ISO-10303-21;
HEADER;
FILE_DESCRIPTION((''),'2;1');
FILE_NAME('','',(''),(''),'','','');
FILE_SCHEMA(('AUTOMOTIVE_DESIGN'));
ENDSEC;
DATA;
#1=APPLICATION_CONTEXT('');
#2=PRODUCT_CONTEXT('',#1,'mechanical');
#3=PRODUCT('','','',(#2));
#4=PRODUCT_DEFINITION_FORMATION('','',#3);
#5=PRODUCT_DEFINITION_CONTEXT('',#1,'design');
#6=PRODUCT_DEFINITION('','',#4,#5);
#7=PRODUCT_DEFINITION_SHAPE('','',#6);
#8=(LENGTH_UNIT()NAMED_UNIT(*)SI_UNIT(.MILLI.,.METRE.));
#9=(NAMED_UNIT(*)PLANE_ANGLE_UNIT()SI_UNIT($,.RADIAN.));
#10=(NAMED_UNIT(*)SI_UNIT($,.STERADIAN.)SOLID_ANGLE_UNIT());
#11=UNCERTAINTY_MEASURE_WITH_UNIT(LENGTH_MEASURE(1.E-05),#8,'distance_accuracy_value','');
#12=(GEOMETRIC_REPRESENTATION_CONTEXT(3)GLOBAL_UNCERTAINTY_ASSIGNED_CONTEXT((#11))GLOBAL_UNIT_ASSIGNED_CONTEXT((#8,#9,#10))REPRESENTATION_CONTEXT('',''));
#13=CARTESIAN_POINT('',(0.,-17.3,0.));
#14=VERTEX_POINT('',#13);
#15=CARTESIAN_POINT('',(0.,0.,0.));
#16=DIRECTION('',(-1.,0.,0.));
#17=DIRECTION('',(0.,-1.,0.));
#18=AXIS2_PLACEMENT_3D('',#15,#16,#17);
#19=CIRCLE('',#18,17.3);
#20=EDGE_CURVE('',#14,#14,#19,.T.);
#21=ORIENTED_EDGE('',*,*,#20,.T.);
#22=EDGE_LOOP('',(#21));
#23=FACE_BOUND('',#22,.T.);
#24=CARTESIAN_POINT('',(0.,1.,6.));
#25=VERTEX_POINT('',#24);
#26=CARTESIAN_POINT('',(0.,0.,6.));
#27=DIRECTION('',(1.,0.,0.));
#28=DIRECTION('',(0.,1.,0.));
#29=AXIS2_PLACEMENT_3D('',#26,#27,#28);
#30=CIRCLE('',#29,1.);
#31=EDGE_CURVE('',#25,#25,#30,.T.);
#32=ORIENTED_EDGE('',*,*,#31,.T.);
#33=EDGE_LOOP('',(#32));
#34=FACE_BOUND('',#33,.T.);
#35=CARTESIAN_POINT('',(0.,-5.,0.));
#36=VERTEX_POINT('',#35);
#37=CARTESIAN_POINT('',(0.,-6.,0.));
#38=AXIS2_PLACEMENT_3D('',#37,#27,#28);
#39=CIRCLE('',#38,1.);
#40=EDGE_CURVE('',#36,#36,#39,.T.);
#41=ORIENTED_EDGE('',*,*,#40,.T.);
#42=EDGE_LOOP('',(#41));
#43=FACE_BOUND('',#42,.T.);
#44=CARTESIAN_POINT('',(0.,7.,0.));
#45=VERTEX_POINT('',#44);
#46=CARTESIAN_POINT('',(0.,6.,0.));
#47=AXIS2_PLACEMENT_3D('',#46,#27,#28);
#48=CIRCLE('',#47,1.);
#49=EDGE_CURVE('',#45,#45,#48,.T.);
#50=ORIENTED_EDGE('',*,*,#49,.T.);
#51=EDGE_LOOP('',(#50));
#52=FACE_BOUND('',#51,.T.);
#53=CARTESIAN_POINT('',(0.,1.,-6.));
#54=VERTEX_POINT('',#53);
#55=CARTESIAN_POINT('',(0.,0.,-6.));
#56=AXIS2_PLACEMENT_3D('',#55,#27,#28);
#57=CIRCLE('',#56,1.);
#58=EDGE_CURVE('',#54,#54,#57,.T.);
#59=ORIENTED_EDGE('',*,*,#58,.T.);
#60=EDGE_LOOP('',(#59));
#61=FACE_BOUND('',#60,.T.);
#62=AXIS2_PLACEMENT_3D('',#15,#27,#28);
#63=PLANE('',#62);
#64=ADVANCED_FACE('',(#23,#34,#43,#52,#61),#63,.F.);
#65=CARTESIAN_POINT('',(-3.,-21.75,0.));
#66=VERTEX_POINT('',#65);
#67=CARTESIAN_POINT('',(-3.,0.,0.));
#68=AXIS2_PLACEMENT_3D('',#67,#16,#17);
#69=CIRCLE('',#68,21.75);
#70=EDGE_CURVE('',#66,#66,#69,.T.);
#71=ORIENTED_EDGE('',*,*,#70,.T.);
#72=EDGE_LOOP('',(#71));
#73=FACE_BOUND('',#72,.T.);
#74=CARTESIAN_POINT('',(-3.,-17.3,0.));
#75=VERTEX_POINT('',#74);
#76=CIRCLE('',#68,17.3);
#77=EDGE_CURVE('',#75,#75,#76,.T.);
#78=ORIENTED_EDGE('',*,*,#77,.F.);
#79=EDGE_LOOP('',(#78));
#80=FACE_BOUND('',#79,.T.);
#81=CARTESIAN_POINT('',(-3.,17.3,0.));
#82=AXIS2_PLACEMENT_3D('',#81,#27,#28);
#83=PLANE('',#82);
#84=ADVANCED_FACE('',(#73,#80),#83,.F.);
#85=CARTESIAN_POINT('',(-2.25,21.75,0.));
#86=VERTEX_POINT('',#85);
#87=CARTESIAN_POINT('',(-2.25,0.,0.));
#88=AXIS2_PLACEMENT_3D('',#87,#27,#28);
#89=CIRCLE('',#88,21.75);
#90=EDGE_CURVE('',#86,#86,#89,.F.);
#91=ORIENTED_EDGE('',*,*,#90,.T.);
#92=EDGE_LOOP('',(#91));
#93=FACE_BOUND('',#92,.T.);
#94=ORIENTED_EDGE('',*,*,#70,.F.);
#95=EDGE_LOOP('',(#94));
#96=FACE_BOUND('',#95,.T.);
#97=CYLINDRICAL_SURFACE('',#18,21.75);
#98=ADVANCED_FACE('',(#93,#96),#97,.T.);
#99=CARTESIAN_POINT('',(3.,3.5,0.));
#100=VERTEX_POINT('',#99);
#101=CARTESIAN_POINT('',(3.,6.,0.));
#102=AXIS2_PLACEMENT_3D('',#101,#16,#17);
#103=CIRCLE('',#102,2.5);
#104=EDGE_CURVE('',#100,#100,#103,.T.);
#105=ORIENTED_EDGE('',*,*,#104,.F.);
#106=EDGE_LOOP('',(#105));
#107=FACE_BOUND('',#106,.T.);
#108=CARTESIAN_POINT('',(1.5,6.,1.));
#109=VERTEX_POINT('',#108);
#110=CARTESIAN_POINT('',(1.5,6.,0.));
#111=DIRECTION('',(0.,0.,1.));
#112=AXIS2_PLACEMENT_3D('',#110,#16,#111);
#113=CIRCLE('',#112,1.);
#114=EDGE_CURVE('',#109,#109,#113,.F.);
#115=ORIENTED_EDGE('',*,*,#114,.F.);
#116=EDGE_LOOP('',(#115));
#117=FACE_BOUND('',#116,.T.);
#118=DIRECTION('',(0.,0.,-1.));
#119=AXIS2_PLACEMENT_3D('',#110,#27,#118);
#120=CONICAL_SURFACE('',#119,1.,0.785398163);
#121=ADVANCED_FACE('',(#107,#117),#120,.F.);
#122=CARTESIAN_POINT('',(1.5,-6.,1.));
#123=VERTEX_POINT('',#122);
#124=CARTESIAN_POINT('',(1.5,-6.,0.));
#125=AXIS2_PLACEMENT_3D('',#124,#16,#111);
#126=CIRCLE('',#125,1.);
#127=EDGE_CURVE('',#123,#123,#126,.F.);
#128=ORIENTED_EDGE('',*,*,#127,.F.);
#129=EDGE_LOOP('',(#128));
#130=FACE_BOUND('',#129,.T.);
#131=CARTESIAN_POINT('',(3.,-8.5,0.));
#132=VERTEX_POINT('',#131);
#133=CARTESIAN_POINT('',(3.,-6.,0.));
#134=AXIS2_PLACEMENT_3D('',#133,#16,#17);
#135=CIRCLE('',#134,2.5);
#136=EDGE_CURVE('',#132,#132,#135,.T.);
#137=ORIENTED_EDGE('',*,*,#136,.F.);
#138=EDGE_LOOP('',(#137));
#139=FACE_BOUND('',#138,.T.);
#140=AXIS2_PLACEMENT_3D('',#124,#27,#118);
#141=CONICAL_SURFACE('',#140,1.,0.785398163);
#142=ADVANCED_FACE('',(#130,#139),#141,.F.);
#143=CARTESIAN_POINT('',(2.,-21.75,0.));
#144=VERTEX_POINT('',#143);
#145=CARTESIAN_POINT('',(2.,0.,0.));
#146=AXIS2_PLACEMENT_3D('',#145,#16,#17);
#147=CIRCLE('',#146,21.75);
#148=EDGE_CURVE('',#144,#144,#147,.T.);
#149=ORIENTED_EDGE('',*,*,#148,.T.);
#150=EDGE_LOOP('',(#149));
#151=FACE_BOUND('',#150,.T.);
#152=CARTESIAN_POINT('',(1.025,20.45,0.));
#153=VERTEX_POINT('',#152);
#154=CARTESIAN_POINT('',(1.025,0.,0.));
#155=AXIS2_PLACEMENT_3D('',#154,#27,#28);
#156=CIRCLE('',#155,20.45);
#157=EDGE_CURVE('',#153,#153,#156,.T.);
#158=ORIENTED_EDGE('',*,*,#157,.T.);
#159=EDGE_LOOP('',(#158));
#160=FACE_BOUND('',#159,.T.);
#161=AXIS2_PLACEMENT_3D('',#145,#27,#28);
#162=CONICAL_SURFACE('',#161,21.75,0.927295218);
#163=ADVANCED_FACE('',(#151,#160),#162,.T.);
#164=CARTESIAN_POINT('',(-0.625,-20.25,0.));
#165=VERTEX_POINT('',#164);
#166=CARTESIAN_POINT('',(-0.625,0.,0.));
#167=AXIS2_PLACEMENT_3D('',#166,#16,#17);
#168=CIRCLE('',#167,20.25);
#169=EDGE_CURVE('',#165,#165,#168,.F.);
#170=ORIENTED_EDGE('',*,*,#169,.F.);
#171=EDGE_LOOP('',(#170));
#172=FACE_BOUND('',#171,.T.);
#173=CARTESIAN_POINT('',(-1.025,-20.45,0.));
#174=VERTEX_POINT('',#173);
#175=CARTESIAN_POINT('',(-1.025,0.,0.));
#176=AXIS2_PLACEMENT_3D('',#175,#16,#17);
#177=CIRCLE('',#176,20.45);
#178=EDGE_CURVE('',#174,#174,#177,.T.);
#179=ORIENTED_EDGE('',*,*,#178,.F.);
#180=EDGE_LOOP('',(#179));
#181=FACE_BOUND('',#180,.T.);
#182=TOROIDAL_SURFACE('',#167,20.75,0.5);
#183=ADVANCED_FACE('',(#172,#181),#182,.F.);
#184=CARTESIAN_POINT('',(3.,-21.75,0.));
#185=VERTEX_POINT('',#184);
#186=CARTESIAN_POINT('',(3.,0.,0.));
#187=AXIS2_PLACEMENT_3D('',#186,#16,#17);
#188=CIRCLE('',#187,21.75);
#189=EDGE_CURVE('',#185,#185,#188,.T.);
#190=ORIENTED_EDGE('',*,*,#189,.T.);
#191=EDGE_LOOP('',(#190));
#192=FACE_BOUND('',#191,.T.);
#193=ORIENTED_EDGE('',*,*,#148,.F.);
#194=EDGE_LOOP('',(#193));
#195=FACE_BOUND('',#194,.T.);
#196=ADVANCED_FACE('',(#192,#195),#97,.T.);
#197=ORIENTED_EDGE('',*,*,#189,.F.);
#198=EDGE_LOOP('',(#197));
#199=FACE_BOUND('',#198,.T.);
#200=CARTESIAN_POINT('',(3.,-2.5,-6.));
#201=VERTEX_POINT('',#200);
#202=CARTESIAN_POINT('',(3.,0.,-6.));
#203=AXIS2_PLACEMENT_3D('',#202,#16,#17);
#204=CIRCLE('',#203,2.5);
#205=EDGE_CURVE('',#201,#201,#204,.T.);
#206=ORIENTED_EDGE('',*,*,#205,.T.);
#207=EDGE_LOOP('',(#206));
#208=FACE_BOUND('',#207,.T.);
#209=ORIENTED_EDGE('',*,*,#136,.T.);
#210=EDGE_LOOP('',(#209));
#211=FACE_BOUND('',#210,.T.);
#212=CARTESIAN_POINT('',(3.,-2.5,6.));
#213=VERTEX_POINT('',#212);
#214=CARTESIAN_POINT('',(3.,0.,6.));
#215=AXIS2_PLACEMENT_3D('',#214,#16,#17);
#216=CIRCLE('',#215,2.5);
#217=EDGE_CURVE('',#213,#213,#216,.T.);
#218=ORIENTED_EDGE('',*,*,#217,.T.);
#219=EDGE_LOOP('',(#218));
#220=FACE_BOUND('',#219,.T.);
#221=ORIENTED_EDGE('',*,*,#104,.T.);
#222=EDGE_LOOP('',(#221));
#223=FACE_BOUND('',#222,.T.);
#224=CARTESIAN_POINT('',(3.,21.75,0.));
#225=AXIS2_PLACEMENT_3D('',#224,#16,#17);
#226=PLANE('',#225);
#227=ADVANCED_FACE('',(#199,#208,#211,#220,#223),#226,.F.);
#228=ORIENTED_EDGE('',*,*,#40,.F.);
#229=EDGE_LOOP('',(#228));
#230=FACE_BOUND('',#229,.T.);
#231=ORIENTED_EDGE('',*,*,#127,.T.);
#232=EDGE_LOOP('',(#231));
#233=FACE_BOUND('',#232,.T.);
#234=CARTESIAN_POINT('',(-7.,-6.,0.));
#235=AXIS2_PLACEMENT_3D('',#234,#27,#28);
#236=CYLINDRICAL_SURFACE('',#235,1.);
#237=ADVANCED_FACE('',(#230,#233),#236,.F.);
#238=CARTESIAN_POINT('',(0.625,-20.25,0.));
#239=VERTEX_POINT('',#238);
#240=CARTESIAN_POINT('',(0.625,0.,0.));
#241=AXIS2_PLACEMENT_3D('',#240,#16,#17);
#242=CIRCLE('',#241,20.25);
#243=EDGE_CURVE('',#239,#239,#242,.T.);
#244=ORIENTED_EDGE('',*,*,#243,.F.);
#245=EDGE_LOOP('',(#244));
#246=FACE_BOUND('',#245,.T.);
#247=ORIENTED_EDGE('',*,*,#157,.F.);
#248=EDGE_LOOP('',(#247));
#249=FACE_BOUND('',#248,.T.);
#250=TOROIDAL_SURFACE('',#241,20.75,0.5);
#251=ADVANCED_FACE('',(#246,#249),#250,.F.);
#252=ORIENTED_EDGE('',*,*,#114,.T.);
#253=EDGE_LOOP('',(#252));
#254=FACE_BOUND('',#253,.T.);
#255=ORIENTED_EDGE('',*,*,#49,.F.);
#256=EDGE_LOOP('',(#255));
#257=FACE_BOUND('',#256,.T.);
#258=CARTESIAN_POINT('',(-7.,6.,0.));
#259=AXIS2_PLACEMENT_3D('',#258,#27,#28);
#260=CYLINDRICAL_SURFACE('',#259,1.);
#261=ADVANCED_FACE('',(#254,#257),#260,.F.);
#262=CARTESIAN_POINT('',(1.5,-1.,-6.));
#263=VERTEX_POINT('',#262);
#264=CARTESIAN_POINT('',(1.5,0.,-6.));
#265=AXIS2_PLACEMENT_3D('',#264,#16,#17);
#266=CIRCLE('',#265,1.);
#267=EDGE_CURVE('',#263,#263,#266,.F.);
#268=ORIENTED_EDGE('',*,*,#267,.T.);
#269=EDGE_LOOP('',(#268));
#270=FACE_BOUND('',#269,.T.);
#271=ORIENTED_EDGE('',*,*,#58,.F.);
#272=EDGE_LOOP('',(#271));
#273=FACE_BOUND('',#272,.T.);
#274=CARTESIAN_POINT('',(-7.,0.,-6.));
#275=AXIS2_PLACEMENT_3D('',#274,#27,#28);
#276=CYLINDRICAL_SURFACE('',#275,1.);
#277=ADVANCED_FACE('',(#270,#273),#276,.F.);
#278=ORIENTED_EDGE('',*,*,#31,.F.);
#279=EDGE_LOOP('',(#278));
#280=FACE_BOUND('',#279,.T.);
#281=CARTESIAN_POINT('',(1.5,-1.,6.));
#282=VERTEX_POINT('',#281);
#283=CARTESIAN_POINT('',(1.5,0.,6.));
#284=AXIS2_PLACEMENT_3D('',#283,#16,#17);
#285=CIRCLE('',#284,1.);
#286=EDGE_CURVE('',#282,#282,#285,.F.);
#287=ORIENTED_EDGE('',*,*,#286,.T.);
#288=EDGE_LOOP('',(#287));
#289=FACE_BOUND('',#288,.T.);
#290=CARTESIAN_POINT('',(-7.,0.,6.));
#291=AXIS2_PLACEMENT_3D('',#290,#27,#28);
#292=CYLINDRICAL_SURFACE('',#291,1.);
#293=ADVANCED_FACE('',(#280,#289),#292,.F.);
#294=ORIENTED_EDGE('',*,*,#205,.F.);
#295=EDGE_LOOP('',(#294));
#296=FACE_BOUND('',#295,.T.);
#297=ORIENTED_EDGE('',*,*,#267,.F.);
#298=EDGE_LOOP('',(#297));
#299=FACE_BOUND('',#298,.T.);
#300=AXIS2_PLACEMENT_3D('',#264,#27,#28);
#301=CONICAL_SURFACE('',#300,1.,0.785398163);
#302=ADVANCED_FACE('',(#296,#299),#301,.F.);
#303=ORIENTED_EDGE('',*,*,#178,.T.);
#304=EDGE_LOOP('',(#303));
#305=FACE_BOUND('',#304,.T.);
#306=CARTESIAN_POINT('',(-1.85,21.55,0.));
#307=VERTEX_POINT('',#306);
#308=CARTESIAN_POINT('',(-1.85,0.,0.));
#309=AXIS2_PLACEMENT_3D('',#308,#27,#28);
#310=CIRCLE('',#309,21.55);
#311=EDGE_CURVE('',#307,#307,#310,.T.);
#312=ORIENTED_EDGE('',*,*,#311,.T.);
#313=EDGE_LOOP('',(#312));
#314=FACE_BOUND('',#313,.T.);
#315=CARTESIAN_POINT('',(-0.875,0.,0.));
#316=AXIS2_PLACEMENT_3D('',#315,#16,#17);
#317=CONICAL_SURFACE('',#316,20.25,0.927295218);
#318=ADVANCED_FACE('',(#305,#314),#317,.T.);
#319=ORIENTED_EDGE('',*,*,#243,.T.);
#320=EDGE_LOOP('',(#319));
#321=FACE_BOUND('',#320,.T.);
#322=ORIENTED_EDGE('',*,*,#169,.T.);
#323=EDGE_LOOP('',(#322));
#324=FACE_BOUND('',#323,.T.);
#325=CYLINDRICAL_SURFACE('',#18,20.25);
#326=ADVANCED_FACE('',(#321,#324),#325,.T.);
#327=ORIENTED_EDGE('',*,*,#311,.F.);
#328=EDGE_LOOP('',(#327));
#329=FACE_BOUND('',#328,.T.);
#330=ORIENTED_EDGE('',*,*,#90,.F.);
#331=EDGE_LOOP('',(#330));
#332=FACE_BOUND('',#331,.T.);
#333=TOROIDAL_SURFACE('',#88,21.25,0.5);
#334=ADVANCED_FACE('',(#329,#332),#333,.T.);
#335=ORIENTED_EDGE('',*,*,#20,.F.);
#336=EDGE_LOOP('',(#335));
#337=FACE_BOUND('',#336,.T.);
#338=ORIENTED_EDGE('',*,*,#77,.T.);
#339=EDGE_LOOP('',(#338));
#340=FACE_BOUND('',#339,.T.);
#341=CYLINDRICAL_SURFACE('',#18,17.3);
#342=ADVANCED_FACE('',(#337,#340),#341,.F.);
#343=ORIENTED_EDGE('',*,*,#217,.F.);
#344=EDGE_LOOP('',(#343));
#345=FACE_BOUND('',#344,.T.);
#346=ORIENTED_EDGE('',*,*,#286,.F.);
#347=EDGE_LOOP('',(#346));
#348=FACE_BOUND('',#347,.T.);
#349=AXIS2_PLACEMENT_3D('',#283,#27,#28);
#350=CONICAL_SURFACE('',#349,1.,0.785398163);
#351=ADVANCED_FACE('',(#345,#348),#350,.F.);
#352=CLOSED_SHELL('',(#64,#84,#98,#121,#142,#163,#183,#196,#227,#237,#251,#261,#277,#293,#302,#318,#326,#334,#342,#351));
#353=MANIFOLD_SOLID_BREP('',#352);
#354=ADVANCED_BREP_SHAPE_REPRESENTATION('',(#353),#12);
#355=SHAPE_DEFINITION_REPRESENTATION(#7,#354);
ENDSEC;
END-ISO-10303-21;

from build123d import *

# Parameters (mm, degrees)
SCHIZZO2_R               = 1
TAGLIO_ESTRUSIONE1_DEPTH = 10
SMUSSO1_SIZE             = 1.5
RACCORDO1_R              = 0.5


with BuildPart() as part:
    # Schizzo1 → Rivoluzione1 (revolve)
    with BuildSketch(Plane.XY):
        Polygon((0, 0), (0, 17.3), (-3, 17.3), (-3, 21.75), (-2, 21.75), (-0.875, 20.25), (0.875, 20.25), (2, 21.75), (3, 21.75), (3, 0), align=None)
    revolve(axis=Axis((0, 0, 0), (1, 0, 0)))

    # Schizzo2 → Taglio-Estrusione1 (cut)
    with BuildSketch(Plane(origin=(3, 0, 0), x_dir=(0, 0, -1), z_dir=(1, 0, 0))):
        with Locations((0, 6)):
            Circle(SCHIZZO2_R)
        with Locations((6, 0)):
            Circle(SCHIZZO2_R)
        with Locations((0, -6)):
            Circle(SCHIZZO2_R)
        with Locations((-6, 0)):
            Circle(SCHIZZO2_R)
    extrude(amount=-TAGLIO_ESTRUSIONE1_DEPTH, mode=Mode.SUBTRACT)

    # Smusso1
    smusso1_edges = [part.edges().sort_by_distance(p)[0] for p in [
        (3, 6, 1),
        (3, 0, -5),
        (3, -6, 1),
        (3, 0, 7),
    ]]
    chamfer(smusso1_edges, length=SMUSSO1_SIZE)

    # Raccordo1
    raccordo1_edges = [part.edges().sort_by_distance(p)[0] for p in [
        (-2, -21.75, 0),
        (0.875, -20.25, 0),
        (-0.875, -20.25, 0),
    ]]
    fillet(raccordo1_edges, radius=RACCORDO1_R)


solid = part.part
